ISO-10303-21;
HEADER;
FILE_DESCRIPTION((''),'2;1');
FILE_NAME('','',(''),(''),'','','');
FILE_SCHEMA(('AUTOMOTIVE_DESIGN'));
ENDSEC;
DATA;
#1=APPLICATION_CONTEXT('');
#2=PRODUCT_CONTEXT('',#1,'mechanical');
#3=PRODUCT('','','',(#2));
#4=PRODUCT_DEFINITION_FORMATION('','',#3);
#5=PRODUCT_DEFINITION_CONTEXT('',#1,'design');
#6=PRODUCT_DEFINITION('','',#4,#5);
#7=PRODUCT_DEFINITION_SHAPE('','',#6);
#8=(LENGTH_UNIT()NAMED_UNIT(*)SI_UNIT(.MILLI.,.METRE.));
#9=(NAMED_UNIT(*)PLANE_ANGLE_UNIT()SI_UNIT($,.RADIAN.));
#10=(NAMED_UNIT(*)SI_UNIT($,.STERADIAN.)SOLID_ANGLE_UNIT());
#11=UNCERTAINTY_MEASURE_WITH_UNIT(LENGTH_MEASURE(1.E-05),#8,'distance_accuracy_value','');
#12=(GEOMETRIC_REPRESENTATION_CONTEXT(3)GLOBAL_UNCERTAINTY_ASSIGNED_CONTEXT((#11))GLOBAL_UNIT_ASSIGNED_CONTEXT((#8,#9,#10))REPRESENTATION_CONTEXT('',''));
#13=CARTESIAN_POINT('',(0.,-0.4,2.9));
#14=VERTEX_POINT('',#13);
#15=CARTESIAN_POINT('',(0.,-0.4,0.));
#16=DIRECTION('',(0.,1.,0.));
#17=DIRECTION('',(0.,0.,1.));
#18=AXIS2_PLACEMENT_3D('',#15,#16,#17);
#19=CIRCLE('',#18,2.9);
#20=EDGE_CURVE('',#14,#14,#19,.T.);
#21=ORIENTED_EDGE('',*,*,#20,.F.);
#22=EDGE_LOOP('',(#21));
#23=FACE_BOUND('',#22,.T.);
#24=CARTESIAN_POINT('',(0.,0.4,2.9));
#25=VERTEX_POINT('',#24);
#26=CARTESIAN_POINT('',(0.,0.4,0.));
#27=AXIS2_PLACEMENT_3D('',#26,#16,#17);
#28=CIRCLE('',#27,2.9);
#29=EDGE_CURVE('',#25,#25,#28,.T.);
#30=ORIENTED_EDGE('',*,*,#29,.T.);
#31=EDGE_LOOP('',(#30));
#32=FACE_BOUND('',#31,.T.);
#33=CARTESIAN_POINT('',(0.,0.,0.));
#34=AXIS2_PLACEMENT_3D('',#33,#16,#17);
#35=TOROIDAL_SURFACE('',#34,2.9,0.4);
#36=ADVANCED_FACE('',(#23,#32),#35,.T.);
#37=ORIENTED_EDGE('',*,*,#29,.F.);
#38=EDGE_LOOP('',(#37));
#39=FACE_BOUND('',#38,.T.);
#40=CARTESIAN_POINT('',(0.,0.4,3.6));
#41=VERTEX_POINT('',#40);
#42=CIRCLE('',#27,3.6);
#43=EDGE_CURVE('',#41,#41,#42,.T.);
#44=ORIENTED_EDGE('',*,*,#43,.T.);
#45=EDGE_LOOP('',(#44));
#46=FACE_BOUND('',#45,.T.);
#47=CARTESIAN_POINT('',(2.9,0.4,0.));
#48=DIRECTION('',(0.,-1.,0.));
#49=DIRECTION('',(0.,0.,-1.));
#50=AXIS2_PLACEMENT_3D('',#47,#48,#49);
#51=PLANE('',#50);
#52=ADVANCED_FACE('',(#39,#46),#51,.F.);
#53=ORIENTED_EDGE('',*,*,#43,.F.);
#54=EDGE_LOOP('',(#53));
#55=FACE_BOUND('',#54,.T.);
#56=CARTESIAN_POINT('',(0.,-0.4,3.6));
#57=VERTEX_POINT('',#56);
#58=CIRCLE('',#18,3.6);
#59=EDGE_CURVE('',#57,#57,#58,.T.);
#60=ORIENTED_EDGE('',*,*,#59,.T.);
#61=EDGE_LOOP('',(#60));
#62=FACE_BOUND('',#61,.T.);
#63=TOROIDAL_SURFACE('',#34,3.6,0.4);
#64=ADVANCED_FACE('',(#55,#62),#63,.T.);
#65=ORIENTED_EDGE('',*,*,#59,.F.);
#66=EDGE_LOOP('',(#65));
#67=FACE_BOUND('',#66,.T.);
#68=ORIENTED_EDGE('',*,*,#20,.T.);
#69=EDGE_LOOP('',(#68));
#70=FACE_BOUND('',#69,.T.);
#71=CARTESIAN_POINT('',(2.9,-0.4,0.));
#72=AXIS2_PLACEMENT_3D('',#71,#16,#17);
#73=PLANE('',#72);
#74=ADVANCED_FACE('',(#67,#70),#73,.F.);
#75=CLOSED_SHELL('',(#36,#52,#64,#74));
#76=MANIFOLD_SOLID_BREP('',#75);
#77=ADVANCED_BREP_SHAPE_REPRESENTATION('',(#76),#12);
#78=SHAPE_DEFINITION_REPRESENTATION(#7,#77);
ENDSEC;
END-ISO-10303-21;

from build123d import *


with BuildPart() as part:
    # ProfileS → Profile (revolve)
    with BuildSketch(Plane.XY):
        with BuildLine():
            Line((2.9, 0.4), (3.6, 0.4))
            ThreePointArc((3.6, 0.4), (4, 0), (3.6, -0.4))
            Line((3.6, -0.4), (2.9, -0.4))
            ThreePointArc((2.9, -0.4), (2.5, 0), (2.9, 0.4))
        make_face()
    revolve(axis=Axis((0, 0.4, 0), (0, -1, 0)))


solid = part.part
